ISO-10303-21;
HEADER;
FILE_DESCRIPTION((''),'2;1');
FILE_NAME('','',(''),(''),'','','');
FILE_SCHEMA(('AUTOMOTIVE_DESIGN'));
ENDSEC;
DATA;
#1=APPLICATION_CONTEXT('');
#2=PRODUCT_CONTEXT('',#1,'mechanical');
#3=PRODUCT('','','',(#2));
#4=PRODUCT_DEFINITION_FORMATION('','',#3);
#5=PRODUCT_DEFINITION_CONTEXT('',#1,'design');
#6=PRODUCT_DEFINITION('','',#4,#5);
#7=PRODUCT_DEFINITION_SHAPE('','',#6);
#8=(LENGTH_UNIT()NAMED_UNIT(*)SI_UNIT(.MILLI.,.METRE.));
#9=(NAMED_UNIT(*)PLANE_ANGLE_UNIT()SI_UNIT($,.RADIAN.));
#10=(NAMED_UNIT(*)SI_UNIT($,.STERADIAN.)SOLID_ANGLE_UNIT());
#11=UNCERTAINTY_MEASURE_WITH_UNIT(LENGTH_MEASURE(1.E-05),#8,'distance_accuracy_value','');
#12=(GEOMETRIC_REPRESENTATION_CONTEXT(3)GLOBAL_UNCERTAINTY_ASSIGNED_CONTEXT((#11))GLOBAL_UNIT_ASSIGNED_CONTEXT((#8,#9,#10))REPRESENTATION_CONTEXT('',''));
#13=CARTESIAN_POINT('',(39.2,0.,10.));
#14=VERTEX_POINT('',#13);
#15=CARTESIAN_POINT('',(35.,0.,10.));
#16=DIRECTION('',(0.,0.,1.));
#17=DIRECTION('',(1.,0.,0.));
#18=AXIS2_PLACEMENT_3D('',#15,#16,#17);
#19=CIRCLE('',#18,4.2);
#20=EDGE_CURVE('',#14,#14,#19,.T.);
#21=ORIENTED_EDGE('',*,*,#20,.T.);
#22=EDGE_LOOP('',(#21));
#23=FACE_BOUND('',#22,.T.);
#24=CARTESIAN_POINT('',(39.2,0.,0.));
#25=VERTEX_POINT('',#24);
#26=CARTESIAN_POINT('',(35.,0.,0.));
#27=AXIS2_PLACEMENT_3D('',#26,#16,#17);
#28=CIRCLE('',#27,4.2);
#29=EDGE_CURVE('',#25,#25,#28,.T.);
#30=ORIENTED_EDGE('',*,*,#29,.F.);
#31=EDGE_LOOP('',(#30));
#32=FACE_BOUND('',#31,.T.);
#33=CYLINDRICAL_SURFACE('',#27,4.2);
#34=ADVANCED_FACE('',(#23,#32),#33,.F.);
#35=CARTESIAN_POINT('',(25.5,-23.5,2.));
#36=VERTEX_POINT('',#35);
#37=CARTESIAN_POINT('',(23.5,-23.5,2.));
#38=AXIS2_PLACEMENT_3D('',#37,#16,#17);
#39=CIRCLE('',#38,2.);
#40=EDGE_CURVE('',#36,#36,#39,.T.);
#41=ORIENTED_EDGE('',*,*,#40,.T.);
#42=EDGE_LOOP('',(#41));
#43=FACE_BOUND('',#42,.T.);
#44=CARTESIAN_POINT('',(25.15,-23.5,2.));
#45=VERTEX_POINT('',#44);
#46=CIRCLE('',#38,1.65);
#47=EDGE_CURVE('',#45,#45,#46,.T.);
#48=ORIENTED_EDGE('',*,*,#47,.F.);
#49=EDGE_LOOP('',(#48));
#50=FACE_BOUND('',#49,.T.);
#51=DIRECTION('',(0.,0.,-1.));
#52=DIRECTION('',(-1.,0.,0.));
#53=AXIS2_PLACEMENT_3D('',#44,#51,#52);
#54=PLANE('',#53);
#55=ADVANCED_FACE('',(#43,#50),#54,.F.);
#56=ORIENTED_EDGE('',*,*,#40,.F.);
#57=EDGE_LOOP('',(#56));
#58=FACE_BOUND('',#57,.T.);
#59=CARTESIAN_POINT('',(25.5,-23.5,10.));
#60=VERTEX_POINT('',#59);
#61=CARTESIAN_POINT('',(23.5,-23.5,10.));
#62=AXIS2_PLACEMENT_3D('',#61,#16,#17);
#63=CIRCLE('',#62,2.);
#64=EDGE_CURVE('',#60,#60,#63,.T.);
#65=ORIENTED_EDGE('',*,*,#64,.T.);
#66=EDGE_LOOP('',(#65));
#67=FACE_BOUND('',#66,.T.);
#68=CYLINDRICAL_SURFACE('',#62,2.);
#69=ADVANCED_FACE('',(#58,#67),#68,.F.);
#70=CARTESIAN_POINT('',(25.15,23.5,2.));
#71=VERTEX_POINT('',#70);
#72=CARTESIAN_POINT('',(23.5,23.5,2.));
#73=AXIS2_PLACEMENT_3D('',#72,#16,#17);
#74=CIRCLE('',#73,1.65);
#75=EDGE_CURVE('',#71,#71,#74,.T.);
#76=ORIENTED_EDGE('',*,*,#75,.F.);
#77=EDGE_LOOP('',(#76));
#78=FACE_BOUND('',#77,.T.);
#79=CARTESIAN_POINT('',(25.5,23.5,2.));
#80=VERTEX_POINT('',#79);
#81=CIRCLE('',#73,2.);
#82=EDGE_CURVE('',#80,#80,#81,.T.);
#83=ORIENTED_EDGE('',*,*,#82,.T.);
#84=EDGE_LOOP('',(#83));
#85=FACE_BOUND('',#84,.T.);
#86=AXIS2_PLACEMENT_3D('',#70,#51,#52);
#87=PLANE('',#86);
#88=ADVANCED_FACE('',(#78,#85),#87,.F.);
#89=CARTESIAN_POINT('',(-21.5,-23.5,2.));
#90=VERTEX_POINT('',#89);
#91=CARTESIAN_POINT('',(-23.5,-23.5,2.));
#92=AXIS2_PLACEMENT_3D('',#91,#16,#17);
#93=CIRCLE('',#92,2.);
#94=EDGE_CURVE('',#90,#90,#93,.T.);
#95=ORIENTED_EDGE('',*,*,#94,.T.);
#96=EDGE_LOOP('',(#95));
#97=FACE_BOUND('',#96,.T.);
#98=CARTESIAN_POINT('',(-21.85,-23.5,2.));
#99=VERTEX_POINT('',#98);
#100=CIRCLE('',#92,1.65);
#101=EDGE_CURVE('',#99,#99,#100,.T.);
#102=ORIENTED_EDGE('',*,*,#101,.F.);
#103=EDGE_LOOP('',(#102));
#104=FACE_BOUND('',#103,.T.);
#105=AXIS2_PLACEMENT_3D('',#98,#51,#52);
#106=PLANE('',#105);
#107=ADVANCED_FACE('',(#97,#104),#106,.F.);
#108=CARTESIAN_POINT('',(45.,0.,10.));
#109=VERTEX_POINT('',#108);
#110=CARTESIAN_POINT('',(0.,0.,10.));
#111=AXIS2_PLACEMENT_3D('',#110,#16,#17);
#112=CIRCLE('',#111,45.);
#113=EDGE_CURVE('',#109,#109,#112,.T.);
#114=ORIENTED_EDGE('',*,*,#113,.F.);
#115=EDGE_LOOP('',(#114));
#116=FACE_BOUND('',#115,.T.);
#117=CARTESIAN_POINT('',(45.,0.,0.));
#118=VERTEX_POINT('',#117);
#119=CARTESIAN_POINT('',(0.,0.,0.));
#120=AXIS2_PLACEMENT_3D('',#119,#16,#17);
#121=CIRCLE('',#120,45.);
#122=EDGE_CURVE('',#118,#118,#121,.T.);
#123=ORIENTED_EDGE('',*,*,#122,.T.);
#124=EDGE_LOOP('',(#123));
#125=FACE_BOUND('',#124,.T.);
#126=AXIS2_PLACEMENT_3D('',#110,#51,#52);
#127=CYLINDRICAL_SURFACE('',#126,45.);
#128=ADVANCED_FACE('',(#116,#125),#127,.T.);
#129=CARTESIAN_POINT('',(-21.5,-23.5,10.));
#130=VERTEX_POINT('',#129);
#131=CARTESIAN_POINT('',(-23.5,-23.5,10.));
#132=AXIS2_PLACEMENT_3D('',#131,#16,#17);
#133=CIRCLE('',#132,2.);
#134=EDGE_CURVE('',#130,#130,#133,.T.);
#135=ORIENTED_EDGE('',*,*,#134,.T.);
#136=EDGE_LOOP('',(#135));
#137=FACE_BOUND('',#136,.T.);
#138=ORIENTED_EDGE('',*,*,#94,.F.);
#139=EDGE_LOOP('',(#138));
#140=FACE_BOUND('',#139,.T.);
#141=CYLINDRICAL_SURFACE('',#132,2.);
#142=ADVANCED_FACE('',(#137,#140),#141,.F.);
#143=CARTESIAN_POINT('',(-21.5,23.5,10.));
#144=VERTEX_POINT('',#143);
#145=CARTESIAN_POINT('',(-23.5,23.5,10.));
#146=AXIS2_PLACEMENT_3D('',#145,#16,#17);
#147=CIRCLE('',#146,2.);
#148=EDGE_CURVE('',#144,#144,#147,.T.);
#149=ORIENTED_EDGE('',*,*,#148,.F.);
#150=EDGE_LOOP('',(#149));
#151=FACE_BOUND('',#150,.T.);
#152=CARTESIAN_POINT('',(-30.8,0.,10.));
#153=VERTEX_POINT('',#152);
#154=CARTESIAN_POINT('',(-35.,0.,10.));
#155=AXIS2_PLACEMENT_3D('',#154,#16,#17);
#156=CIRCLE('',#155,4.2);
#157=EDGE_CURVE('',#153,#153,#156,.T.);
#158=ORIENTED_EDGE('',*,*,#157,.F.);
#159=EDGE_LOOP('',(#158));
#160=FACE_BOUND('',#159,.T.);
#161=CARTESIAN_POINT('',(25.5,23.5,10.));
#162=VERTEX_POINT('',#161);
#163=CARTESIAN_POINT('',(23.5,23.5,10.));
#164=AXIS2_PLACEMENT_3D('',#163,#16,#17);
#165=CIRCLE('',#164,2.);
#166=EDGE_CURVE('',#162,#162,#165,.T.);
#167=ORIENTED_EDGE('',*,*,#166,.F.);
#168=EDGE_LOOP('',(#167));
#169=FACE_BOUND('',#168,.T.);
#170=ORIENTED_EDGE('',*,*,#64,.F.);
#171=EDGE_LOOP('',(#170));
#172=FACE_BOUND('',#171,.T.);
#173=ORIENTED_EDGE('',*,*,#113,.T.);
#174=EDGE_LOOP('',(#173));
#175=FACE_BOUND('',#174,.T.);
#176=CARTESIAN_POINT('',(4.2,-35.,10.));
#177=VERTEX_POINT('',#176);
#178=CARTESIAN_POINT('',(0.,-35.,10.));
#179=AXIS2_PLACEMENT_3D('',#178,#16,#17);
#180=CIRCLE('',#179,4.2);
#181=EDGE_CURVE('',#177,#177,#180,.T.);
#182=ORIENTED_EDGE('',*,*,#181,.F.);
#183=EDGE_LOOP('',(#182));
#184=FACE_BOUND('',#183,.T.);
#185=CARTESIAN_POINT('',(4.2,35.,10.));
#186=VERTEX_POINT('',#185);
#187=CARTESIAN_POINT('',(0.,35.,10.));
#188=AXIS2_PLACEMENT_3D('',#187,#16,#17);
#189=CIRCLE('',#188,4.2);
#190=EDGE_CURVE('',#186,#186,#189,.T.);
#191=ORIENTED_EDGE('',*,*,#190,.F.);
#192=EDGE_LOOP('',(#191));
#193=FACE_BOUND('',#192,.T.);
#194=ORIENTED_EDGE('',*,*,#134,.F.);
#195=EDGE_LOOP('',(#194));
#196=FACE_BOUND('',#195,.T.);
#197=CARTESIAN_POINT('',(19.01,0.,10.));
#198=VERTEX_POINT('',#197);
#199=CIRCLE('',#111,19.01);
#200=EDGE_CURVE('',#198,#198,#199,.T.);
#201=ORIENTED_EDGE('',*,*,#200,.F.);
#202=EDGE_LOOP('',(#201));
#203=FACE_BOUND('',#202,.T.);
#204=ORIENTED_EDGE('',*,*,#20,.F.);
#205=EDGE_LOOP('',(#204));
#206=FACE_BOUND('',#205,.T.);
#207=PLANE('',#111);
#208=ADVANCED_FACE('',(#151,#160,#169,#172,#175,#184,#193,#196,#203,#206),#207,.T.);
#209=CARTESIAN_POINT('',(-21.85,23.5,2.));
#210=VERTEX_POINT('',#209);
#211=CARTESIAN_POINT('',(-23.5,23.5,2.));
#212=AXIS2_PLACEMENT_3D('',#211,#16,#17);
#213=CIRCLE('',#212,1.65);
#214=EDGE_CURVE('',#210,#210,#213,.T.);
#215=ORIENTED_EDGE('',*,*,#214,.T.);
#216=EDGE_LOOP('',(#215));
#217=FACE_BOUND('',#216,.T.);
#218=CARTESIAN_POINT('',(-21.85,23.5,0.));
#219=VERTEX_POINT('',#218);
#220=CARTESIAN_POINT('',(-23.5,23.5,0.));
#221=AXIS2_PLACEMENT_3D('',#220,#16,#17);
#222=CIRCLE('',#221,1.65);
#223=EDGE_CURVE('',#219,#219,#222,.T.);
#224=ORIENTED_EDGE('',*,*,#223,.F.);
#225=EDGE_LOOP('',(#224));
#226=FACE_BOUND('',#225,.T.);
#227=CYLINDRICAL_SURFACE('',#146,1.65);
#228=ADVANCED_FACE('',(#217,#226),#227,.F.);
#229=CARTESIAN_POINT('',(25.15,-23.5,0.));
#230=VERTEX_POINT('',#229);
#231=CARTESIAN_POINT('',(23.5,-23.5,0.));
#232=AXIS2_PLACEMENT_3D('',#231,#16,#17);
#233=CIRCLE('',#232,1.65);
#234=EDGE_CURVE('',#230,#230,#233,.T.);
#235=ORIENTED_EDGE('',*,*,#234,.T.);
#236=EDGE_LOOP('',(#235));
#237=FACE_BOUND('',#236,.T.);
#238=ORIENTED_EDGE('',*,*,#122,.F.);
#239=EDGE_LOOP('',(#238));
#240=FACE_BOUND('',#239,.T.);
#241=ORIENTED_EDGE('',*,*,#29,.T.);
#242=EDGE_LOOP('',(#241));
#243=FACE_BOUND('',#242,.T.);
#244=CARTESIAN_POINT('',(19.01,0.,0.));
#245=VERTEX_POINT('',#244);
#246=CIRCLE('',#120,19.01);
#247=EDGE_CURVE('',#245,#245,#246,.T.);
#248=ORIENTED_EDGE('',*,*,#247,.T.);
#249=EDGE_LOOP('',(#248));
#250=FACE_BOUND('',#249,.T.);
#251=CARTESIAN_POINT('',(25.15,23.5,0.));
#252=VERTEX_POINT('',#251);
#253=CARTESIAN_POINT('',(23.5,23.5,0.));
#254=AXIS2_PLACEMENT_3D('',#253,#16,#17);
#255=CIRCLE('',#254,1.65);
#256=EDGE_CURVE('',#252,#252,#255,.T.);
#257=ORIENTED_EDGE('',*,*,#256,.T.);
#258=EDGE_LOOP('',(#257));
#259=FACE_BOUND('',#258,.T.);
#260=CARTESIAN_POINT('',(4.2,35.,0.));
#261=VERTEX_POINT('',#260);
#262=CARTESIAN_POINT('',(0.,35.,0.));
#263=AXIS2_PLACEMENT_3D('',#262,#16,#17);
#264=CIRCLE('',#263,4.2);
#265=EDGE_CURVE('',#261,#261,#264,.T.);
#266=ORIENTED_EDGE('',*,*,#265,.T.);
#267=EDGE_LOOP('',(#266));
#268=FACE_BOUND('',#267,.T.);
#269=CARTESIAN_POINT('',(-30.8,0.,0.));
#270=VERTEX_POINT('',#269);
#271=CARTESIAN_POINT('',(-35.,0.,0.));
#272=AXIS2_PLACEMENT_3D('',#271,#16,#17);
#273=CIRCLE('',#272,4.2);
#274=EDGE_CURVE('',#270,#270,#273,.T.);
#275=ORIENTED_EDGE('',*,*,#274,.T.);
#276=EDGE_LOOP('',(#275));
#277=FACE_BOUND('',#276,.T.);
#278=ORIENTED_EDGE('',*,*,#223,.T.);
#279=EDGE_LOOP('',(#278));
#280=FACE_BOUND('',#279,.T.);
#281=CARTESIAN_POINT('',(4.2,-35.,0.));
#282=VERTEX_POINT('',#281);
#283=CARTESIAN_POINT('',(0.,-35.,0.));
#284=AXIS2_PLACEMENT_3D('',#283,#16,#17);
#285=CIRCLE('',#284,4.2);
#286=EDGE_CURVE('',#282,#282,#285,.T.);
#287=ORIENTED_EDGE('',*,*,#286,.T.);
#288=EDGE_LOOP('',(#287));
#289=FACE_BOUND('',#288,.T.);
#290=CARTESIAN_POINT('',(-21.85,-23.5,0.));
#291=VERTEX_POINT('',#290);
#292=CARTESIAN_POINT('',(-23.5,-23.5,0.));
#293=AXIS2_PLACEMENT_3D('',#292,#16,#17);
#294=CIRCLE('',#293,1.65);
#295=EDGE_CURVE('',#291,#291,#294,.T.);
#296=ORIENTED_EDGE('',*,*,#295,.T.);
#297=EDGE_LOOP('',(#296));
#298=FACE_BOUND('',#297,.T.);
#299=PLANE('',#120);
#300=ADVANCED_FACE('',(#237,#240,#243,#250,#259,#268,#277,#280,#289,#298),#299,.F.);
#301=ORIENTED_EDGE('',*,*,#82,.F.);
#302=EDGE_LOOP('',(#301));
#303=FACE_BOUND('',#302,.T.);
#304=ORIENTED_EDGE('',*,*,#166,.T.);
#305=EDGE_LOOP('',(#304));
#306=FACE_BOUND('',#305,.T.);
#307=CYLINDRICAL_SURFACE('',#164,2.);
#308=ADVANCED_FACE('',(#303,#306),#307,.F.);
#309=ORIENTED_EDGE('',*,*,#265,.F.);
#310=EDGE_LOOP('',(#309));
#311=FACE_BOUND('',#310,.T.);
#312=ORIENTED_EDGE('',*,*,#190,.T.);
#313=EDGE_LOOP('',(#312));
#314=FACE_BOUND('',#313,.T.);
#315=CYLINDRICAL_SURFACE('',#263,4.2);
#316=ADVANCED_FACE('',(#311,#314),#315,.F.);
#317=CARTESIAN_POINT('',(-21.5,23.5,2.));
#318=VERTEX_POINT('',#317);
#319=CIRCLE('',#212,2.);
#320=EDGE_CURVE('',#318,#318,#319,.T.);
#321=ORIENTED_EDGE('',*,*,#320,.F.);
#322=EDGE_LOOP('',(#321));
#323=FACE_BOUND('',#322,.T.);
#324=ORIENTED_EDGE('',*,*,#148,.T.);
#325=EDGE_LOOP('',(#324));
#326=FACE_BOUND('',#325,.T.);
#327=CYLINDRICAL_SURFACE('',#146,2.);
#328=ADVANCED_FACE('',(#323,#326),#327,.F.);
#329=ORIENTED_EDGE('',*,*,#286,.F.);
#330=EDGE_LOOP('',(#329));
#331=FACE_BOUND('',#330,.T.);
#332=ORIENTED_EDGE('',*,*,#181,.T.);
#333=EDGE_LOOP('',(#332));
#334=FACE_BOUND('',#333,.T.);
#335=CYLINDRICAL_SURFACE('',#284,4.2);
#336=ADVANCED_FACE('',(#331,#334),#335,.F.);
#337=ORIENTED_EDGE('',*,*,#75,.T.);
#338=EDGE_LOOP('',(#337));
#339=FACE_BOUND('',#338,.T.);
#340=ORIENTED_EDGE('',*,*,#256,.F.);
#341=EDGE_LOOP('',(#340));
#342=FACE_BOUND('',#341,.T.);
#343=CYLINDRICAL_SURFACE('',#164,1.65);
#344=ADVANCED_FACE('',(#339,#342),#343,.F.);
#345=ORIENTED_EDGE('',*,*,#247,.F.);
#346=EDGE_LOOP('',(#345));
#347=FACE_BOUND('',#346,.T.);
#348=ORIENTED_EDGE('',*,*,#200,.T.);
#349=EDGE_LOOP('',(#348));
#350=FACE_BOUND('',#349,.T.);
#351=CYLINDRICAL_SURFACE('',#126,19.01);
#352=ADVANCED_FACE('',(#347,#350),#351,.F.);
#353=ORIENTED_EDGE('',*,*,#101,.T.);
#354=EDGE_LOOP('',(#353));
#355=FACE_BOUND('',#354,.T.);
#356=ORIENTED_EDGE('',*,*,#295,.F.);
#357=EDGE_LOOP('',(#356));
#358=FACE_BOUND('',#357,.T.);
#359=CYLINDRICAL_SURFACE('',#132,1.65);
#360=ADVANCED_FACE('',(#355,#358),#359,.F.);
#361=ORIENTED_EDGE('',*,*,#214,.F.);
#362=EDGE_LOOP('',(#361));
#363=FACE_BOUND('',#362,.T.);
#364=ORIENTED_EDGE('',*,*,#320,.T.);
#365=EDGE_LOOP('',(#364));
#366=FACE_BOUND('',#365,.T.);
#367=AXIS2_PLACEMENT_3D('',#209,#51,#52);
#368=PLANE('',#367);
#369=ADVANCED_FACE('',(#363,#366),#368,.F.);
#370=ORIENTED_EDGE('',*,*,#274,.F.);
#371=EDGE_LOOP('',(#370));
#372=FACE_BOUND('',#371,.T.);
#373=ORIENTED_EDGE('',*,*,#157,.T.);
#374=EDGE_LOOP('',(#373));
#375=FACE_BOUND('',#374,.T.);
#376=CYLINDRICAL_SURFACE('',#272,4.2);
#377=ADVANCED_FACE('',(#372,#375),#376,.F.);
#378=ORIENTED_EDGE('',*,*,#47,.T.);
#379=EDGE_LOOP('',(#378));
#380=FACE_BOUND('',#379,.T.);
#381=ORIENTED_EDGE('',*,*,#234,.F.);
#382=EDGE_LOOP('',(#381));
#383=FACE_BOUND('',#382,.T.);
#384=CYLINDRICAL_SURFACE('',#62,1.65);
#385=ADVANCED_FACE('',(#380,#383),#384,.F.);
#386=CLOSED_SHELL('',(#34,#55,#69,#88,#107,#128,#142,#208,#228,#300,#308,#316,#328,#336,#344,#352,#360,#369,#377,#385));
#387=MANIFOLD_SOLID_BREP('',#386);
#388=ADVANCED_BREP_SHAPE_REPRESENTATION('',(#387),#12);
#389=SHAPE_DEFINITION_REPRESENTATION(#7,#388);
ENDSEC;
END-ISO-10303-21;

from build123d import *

# Parameters (mm, degrees)
SKETCH_1_R                   = 45
SKETCH_1_R_2                 = 19.01
EXTRUDE_1_DEPTH              = 10
HOLE_WIZARD_M4_1_D           = 3.3
HOLE_WIZARD_M4_1_DEPTH       = 10.1
HOLE_WIZARD_M4_1_CBORE_D     = 4
HOLE_WIZARD_M4_1_CBORE_DEPTH = 8
HOLE_WIZARD_M4_1_TIP         = 0.991420021
SKETCH_4_R                   = 4.2
CUT_EXTRUDE_1_DEPTH          = 10


with BuildPart() as part:
    # 草图1 → 拉伸1 (new body)
    with BuildSketch(Plane.XY):
        Circle(SKETCH_1_R)
        Circle(SKETCH_1_R_2, mode=Mode.SUBTRACT)
    extrude(amount=EXTRUDE_1_DEPTH)

    # M4 螺纹孔1
    with Locations(Plane(origin=(-23.5, 23.5, 10), x_dir=(1, 0, 0), z_dir=(0, 0, 1))):
        with Locations((0, 0), (47, 0), (47, -47), (0, -47)):
            CounterBoreHole(HOLE_WIZARD_M4_1_D / 2, HOLE_WIZARD_M4_1_CBORE_D / 2, HOLE_WIZARD_M4_1_CBORE_DEPTH, depth=HOLE_WIZARD_M4_1_DEPTH)
            with Locations((0, 0, -(HOLE_WIZARD_M4_1_DEPTH + HOLE_WIZARD_M4_1_TIP / 2))):  # 118° drill point
                Cone(0, HOLE_WIZARD_M4_1_D / 2, HOLE_WIZARD_M4_1_TIP, mode=Mode.SUBTRACT)

    # 草图4 → 切除-拉伸1 (cut)
    with BuildSketch(Plane.XY.offset(10)):
        with Locations((0, 35)):
            Circle(SKETCH_4_R)
        with Locations((-35, 0)):
            Circle(SKETCH_4_R)
        with Locations((0, -35)):
            Circle(SKETCH_4_R)
        with Locations((35, 0)):
            Circle(SKETCH_4_R)
    extrude(amount=-CUT_EXTRUDE_1_DEPTH, mode=Mode.SUBTRACT)


solid = part.part
